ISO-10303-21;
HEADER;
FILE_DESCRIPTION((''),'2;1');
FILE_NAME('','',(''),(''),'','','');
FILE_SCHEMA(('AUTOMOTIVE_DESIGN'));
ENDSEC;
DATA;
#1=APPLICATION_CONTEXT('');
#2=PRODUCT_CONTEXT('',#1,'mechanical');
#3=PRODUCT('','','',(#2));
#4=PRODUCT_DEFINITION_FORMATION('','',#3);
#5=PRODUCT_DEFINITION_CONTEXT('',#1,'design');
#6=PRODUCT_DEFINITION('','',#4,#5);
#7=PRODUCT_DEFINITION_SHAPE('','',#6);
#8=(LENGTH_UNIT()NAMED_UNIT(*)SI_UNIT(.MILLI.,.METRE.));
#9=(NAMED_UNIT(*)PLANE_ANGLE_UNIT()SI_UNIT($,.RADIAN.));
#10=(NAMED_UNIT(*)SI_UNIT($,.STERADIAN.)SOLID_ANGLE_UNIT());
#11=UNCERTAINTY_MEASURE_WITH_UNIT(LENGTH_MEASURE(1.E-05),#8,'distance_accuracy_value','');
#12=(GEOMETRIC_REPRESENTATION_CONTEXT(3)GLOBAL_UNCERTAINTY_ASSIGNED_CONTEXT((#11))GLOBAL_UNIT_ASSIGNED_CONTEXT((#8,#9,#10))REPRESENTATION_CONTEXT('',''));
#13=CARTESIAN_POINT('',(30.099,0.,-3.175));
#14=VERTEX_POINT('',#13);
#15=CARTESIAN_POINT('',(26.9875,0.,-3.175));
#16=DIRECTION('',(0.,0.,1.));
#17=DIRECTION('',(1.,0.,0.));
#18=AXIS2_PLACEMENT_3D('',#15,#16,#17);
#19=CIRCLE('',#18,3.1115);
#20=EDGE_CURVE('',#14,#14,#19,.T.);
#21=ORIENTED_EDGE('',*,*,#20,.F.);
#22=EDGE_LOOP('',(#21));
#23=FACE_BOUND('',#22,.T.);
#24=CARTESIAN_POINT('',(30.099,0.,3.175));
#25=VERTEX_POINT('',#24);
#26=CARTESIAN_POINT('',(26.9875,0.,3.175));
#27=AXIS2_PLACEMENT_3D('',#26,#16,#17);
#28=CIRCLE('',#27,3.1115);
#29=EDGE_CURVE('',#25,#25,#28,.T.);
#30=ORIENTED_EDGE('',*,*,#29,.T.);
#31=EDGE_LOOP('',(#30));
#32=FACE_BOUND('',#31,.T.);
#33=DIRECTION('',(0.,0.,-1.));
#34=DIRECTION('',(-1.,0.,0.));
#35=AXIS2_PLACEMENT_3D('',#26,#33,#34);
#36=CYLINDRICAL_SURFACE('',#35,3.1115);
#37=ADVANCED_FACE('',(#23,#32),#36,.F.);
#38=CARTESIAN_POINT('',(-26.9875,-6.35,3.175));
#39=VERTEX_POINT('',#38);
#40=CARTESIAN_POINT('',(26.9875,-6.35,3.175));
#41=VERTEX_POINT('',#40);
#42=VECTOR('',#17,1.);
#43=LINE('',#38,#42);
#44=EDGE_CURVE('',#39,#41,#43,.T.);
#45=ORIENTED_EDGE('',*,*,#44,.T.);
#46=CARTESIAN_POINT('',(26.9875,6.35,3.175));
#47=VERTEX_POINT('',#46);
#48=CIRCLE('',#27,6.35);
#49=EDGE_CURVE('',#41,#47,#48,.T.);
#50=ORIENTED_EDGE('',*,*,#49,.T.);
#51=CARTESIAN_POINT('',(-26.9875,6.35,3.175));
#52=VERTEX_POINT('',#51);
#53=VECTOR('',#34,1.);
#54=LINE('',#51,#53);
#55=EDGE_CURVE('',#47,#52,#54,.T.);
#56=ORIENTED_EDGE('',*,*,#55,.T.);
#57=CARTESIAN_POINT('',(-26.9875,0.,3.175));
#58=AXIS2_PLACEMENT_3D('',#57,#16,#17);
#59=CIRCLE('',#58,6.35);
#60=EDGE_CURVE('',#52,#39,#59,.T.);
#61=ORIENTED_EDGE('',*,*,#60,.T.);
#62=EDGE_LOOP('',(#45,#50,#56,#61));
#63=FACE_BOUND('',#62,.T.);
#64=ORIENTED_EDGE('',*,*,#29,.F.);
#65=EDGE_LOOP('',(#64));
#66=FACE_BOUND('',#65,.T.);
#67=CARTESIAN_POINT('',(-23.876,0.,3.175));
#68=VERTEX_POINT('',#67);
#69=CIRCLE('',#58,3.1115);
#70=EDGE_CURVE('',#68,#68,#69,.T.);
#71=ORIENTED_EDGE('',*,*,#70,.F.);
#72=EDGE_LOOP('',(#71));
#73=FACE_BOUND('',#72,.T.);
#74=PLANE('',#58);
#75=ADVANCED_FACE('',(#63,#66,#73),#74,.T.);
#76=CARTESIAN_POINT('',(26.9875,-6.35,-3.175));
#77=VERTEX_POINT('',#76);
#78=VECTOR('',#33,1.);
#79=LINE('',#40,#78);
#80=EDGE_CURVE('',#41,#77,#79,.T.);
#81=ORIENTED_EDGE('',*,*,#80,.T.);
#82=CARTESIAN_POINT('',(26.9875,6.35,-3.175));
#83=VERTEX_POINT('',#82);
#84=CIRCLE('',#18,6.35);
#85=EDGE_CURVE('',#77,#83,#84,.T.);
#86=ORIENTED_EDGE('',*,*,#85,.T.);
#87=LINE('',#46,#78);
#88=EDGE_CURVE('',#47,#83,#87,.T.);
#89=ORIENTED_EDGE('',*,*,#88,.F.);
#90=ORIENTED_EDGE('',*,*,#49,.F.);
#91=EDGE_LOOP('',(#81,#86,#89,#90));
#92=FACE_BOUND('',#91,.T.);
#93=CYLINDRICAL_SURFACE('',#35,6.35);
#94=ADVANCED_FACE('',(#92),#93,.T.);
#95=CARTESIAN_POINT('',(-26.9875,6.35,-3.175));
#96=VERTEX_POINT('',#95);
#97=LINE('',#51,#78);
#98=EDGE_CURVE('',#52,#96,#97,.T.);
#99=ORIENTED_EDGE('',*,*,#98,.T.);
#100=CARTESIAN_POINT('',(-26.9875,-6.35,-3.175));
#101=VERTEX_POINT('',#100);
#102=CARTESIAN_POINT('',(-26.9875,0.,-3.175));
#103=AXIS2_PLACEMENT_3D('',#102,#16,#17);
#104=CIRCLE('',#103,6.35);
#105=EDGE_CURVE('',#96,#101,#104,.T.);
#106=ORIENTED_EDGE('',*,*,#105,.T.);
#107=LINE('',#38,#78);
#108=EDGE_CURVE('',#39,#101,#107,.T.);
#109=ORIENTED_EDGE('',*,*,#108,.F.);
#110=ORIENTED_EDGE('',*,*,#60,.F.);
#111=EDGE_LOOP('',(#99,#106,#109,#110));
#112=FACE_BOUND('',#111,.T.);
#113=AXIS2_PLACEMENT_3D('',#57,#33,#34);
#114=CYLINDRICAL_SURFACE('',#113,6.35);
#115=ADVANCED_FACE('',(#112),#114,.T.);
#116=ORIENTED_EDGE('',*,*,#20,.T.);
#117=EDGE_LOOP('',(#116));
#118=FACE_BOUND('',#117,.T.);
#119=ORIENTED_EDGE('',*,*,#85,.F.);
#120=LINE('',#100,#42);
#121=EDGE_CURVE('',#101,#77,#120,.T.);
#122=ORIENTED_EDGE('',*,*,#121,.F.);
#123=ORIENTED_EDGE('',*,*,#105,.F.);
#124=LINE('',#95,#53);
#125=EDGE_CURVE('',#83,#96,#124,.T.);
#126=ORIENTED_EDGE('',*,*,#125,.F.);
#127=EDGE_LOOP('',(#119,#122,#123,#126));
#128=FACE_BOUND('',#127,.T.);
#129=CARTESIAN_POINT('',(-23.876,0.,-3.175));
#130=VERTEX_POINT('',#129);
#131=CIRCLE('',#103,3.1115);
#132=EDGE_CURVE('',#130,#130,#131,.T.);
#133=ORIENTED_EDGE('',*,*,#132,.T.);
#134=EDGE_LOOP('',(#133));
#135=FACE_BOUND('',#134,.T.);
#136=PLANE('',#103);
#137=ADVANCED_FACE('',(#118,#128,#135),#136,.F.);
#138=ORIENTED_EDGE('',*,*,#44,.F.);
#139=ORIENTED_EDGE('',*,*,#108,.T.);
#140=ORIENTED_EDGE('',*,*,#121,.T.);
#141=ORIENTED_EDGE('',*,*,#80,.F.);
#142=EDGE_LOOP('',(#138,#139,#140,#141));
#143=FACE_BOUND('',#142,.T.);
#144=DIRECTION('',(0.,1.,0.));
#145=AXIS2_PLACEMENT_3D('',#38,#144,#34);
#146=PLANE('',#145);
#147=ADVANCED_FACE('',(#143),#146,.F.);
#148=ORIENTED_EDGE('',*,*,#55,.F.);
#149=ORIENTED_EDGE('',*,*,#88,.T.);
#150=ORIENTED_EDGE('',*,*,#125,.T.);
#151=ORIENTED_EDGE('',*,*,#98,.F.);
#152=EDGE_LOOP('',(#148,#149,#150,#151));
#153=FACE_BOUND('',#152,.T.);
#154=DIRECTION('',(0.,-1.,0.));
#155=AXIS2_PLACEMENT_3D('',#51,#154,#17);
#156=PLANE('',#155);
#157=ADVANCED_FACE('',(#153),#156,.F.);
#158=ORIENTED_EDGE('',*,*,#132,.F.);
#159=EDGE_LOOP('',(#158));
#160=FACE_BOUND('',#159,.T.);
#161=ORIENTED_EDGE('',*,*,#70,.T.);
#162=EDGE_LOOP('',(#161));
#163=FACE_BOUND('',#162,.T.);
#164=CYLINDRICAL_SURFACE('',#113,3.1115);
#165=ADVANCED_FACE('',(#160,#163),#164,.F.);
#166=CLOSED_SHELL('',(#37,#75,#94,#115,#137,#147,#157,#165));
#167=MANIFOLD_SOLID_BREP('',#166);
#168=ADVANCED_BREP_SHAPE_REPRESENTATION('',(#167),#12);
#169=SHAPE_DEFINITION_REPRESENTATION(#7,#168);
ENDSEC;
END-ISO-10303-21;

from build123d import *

# Parameters (mm, degrees)
SKETCH2_R           = 3.1115
BOSS_EXTRUDE1_DEPTH = 3.175


with BuildPart() as part:
    # Sketch2 → Boss-Extrude1 (new body, symmetric)
    with BuildSketch(Plane.XY):
        with BuildLine():
            Line((-26.9875, 6.35), (26.9875, 6.35))
            ThreePointArc((26.9875, 6.35), (33.3375, 0), (26.9875, -6.35))
            Line((26.9875, -6.35), (-26.9875, -6.35))
            ThreePointArc((-26.9875, -6.35), (-33.3375, 0), (-26.9875, 6.35))
        make_face()
        with Locations((-26.9875, 0)):
            Circle(SKETCH2_R, mode=Mode.SUBTRACT)
        with Locations((26.9875, 0)):
            Circle(SKETCH2_R, mode=Mode.SUBTRACT)
    extrude(amount=BOSS_EXTRUDE1_DEPTH, both=True)


solid = part.part
